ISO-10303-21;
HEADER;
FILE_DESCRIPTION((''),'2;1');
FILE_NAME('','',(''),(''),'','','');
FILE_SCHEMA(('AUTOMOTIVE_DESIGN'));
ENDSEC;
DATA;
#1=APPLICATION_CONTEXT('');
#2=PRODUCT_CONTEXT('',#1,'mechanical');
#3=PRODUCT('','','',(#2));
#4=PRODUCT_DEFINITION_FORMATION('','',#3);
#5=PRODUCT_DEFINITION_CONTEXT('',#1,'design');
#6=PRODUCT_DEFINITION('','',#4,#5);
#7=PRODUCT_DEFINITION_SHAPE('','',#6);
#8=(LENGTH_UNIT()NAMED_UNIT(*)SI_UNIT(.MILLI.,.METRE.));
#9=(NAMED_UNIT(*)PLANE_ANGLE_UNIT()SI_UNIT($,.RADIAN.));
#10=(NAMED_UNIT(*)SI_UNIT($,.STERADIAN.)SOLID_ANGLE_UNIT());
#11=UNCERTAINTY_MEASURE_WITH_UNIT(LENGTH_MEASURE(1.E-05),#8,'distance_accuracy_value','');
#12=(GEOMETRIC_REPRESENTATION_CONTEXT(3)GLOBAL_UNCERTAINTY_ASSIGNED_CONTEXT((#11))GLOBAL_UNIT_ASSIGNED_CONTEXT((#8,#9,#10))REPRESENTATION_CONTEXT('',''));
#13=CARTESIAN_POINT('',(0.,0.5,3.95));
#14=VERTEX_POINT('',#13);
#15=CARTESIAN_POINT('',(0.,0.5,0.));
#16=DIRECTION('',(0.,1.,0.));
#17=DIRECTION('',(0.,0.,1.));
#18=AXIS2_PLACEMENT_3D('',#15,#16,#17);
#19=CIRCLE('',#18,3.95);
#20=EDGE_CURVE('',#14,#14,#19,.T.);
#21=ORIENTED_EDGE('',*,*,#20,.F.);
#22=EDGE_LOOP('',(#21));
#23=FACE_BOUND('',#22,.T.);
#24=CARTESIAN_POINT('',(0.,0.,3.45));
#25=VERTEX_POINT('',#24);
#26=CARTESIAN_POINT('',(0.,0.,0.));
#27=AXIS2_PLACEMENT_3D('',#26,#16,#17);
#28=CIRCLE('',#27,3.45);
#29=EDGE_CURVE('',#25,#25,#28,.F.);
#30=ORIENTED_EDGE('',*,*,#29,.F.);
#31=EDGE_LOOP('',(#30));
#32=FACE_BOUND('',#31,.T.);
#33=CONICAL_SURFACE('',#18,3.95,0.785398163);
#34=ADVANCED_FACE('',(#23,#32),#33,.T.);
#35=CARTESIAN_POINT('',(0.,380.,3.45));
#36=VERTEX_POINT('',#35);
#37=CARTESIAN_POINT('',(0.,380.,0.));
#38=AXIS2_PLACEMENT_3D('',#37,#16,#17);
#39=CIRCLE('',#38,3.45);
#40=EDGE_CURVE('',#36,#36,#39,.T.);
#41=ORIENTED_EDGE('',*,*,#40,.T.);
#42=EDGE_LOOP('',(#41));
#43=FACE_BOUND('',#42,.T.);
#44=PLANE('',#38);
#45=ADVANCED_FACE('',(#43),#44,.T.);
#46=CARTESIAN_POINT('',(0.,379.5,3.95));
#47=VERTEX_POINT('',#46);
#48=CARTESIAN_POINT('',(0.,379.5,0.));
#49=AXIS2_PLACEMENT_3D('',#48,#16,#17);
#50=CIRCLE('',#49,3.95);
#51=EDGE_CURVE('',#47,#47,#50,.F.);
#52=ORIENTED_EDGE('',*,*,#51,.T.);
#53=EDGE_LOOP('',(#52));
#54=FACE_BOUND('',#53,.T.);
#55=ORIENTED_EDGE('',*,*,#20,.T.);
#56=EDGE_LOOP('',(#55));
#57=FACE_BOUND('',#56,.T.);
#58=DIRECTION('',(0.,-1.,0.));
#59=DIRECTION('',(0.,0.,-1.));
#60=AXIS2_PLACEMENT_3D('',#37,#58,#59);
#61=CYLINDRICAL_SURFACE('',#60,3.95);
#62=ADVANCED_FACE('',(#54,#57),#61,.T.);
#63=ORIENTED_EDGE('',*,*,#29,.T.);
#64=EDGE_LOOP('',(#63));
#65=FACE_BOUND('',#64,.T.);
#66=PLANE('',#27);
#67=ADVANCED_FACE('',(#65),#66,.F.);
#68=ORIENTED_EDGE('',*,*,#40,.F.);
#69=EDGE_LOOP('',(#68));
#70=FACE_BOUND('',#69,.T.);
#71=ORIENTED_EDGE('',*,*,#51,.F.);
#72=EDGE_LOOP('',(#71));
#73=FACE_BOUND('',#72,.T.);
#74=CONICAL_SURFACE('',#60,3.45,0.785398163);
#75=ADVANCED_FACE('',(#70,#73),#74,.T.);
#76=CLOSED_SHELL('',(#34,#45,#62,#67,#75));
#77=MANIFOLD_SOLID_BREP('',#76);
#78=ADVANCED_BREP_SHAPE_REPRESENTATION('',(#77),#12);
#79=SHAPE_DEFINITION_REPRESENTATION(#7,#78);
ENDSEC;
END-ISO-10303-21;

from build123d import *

# Parameters (mm, degrees)
SKETCH1_R           = 3.95
BOSS_EXTRUDE1_DEPTH = 380
CHAMFER1_SIZE       = 0.5
CHAMFER2_SIZE       = 0.5


with BuildPart() as part:
    # Sketch1 → Boss-Extrude1 (new body)
    with BuildSketch(Plane(origin=(0, 0, 0), x_dir=(1, 0, 0), z_dir=(0, 1, 0))):
        with Locations(Location((0, 0, 0), (0, 0, 270))):
            Circle(SKETCH1_R)
    extrude(amount=BOSS_EXTRUDE1_DEPTH)

    # Chamfer1
    chamfer1_edges = [part.edges().sort_by_distance(p)[0] for p in [
        (0, 380, -3.95),
    ]]
    chamfer(chamfer1_edges, length=CHAMFER1_SIZE)

    # Chamfer2
    chamfer2_edges = [part.edges().sort_by_distance(p)[0] for p in [
        (0, 0, -3.95),
    ]]
    chamfer(chamfer2_edges, length=CHAMFER2_SIZE)


solid = part.part
